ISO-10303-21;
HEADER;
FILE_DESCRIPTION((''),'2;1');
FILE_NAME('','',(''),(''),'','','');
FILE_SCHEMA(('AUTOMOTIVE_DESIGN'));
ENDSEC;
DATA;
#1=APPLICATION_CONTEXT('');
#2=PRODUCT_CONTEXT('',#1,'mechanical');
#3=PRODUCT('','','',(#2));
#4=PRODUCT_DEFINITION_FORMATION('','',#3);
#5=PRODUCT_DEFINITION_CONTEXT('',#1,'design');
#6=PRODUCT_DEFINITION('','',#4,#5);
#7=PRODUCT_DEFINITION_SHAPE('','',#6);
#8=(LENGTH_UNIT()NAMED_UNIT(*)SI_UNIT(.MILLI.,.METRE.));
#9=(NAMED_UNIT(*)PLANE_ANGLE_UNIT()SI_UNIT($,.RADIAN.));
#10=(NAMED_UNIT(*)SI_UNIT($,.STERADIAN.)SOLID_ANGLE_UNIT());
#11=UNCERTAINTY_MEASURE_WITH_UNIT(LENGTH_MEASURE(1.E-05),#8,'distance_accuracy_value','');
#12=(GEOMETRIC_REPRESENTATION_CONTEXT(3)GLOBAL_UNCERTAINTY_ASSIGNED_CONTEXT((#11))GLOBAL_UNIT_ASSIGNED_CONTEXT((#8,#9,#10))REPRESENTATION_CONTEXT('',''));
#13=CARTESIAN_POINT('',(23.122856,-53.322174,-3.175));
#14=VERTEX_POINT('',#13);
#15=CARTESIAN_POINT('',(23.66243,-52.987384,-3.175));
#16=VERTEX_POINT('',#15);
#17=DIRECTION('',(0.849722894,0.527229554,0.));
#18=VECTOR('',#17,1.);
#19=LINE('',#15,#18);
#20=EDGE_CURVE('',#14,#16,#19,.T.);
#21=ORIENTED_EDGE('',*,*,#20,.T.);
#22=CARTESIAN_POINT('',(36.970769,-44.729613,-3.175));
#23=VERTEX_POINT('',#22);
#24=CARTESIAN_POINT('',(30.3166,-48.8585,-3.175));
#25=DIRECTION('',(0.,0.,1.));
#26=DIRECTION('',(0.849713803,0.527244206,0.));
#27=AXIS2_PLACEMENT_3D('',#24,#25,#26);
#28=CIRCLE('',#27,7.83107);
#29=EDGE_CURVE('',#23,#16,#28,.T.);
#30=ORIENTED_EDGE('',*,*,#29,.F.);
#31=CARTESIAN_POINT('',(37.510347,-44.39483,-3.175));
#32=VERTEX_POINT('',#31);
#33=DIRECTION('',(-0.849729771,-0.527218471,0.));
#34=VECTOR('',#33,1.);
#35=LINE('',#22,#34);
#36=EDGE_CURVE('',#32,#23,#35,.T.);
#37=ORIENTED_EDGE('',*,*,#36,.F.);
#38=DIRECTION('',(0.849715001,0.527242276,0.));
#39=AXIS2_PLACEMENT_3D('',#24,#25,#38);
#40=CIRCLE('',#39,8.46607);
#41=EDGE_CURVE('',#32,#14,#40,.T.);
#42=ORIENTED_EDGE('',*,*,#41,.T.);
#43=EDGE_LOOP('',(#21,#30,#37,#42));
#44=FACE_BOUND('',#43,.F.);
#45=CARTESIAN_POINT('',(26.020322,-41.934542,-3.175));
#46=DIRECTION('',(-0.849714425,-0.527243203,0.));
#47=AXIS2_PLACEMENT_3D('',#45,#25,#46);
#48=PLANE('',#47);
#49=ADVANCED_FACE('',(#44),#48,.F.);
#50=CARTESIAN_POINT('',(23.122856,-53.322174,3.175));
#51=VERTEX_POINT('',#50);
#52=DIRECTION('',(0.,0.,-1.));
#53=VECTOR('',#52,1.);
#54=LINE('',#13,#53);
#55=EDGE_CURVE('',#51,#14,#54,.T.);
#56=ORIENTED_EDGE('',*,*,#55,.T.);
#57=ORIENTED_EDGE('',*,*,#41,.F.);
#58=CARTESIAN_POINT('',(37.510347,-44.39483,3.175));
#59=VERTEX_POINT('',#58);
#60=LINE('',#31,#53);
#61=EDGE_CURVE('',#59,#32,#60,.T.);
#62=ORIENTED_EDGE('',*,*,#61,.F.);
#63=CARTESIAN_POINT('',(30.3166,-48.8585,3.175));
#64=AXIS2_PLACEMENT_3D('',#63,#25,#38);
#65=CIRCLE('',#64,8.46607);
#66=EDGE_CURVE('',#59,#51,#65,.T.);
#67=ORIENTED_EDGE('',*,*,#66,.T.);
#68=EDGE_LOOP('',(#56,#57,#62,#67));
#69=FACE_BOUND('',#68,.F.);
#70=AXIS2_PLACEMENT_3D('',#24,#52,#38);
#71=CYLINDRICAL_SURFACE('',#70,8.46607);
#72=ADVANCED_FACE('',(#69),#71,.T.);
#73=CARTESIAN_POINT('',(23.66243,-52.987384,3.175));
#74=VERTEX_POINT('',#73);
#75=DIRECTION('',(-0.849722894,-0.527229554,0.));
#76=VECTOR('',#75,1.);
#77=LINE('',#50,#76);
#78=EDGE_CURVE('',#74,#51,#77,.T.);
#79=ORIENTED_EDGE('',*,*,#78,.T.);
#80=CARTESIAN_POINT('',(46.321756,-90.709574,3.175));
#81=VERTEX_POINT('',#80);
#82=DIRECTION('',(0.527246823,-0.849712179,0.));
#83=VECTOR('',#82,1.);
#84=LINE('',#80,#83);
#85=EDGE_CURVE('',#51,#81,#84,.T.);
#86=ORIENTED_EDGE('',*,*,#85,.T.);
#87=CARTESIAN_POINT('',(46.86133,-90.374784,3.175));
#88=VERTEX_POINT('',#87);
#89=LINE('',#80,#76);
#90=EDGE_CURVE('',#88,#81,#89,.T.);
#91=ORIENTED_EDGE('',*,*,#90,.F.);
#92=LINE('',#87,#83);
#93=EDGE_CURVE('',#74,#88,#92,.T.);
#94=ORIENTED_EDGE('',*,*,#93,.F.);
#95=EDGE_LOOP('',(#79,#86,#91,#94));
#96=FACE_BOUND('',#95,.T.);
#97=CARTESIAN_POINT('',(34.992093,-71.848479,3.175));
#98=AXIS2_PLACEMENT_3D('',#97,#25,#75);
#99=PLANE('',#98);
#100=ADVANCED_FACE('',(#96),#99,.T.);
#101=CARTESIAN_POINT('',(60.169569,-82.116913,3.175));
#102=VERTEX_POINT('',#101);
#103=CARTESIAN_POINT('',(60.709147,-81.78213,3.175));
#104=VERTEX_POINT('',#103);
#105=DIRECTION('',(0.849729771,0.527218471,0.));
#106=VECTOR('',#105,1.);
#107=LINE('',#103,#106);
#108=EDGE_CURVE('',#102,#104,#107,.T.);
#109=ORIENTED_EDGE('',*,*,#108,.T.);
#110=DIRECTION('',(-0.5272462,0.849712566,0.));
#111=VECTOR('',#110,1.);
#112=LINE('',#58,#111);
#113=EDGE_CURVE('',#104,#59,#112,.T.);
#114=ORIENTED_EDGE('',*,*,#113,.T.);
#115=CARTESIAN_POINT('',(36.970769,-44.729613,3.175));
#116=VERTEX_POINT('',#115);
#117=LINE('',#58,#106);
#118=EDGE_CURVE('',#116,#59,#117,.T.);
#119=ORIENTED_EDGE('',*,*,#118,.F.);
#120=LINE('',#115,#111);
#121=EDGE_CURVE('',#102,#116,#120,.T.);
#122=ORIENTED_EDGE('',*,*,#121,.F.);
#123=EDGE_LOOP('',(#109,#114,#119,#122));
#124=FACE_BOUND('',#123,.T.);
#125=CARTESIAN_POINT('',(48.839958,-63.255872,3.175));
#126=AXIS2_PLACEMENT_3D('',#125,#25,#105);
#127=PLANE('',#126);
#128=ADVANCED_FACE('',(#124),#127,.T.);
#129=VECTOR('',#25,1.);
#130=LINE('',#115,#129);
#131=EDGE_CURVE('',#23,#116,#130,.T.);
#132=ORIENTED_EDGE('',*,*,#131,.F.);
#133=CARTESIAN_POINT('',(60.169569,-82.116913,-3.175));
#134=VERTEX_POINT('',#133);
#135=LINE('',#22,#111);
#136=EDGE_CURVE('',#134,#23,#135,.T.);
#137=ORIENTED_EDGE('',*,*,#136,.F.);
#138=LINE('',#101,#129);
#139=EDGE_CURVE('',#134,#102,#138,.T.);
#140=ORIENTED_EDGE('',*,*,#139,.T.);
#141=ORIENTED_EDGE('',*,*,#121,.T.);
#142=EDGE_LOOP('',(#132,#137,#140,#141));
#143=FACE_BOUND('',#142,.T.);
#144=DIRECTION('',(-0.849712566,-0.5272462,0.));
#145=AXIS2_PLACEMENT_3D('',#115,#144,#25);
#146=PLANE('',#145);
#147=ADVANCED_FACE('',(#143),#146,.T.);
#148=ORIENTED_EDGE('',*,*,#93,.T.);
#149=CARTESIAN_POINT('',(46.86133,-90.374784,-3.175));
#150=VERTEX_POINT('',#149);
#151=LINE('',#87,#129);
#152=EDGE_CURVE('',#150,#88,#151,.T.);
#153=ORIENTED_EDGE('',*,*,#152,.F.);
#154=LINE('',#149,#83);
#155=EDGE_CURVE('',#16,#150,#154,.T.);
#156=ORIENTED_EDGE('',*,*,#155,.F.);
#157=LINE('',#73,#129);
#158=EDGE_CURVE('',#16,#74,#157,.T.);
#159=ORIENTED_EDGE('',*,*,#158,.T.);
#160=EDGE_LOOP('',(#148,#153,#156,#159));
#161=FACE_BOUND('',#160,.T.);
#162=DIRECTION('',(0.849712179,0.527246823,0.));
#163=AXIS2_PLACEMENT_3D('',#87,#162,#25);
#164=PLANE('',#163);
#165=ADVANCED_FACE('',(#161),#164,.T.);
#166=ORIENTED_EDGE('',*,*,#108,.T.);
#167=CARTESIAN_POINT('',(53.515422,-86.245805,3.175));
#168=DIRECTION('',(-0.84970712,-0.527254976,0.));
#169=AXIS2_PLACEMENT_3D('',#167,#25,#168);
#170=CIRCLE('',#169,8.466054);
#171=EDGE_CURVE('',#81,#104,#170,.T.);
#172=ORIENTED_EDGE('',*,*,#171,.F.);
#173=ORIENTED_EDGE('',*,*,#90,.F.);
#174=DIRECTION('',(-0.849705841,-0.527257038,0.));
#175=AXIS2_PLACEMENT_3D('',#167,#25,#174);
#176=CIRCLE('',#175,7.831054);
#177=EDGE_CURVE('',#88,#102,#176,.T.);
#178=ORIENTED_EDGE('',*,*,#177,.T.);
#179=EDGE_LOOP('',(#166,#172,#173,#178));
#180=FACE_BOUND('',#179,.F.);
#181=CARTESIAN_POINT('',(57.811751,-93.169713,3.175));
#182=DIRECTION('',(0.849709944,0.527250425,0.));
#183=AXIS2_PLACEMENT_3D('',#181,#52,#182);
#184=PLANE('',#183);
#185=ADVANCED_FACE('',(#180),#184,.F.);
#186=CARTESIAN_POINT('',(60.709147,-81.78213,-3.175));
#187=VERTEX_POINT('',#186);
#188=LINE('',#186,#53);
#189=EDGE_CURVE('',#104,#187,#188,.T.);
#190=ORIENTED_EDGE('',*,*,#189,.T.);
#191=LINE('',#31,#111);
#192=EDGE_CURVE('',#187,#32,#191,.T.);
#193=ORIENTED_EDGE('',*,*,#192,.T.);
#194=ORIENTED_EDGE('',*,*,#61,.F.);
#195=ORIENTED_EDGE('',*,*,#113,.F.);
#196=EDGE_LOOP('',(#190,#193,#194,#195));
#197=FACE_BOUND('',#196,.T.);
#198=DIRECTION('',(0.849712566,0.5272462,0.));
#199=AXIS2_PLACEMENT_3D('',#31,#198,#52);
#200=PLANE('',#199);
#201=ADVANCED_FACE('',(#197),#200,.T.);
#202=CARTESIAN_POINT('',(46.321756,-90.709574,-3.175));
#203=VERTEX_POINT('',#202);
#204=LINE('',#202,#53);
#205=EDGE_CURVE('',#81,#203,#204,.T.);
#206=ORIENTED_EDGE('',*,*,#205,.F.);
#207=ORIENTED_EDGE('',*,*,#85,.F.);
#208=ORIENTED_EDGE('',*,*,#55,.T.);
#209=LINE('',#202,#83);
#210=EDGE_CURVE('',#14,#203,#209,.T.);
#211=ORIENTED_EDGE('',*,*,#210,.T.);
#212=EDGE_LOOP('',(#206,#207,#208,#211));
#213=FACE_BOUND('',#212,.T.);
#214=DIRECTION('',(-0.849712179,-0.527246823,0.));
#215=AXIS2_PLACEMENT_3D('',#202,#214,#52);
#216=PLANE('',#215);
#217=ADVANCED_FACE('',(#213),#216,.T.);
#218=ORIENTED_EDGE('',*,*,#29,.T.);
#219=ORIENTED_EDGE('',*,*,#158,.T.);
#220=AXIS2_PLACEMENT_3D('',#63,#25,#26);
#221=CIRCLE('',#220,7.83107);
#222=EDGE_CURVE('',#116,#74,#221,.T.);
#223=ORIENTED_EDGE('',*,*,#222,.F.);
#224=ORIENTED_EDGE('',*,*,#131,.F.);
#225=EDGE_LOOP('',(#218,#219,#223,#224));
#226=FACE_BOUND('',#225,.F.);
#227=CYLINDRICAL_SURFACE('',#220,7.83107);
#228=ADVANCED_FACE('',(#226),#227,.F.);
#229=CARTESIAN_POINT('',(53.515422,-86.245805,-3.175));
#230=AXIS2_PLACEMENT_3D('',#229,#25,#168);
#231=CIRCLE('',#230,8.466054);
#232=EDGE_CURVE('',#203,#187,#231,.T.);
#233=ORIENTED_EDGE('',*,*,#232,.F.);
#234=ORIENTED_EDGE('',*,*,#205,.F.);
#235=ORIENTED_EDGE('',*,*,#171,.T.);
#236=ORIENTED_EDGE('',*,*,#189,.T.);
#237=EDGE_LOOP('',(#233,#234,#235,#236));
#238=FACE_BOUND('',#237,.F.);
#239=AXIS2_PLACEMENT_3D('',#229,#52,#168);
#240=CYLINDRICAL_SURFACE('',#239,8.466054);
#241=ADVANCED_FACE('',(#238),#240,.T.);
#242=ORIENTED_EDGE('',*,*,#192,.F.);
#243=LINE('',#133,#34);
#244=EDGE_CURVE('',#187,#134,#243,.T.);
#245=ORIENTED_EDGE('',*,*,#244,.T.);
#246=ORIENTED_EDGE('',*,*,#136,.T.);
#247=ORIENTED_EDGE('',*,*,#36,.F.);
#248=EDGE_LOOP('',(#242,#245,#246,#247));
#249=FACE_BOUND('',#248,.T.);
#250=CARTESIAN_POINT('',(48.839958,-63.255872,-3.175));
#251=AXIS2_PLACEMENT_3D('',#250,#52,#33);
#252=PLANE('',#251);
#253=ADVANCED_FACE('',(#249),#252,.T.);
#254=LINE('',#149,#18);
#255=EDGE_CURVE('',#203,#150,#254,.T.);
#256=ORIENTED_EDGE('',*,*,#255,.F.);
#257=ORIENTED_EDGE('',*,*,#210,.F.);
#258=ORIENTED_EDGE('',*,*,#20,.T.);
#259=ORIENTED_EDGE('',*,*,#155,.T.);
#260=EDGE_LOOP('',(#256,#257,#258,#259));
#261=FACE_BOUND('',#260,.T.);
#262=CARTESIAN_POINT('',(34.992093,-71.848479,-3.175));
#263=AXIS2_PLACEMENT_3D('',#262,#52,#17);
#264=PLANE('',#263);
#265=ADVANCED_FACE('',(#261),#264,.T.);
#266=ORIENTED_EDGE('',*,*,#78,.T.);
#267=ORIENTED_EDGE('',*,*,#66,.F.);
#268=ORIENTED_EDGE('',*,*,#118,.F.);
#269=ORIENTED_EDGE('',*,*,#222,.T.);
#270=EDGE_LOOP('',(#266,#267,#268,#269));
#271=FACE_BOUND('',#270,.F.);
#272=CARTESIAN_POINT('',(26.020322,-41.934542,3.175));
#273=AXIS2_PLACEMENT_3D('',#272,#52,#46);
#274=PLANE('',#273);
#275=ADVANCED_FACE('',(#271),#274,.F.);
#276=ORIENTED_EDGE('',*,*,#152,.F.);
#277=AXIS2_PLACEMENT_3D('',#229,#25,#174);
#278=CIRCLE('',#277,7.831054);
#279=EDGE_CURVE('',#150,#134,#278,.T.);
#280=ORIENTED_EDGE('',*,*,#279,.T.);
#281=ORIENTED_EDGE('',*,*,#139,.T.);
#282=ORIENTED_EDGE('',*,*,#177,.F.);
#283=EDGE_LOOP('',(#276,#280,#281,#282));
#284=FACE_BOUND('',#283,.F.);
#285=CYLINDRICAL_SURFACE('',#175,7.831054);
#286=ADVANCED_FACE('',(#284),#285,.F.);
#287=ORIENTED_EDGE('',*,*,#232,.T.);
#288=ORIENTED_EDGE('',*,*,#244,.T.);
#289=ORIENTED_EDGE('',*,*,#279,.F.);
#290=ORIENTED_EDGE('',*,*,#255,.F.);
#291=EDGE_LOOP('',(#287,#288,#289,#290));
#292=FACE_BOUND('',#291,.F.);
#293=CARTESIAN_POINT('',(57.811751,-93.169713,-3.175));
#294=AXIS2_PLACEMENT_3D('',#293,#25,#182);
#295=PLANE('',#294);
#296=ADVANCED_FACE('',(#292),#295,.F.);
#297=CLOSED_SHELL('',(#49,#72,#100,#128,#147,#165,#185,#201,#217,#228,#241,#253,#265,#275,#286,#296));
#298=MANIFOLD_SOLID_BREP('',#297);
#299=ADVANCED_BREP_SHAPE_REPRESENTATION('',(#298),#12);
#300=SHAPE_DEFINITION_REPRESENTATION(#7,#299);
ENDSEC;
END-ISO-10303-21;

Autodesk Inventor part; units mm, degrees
sketch "Sketch Path" plane through (0, 0, 0) normal (0, 0, 1) x (1, 0, 0)
  arc A0 (37.1866, -44.5957) -> (23.4466, -53.1213) centre (30.3166, -48.8585) ccw
  arc A1 (46.6455, -90.5087) -> (60.3854, -81.983) centre (53.5154, -86.2459) ccw
  line L0 (46.6455, -90.5087) -> (23.4466, -53.1213)
  line L1 (37.1866, -44.5957) -> (60.3854, -81.983)
ref_plane "Cross Section Plane" through (23.4466, -53.1213, 0) normal (0.5272, -0.8497, 0) x (0, 0, 1)
ref_plane "Work Plane2" through (30.3166, -48.8585, 0) normal (-1, 0, 0) x (0, 0, 1)
ref_plane "Work Plane3" through (53.5154, -86.2459, 0) normal (-0.4604, 0.8877, 0) x (0, 0, 1)
sketch "Cross Section" plane through (23.4466, -53.1213, 0) normal (0.5272, -0.8497, 0) x (0, 0, 1)
  line L0 (-3.175, 0.381) -> (3.175, 0.381)
  line L1 (3.175, 0.381) -> (3.175, -0.254)
  line L2 (3.175, -0.254) -> (-3.175, -0.254)
  line L3 (-3.175, -0.254) -> (-3.175, 0.381)
  line L4 (-3.175, 0) -> (3.175, 0) construction
  point P0 (0, 0)
  point P1 (0, 0)
  dimension "d0" = 6.35
  dimension "d4" = 0.254
  dimension "d5" = 0.381
sweep "Belt" add profiles "Cross Section" path "Sketch Path"
equation "\"d0\" = da_B"
equation "\"d4\" = da_a"
equation "\"d5\" = da_a2"
equation "\"da_B\" = 6.35"
equation "\"da_pb\" = 2.032"
equation "\"da_L\" = 138.8"
equation "\"da_a\" = 0.254"
equation "\"da_S\" = 1.143"
equation "\"da_Beta\" = 20deg"
equation "\"da_Ht\" = 0.508"
equation "\"da_H\" = 1.143"
equation "\"da_a2\" = 0.381"
properties part number "Synchronous Belt" material "Rubber"
